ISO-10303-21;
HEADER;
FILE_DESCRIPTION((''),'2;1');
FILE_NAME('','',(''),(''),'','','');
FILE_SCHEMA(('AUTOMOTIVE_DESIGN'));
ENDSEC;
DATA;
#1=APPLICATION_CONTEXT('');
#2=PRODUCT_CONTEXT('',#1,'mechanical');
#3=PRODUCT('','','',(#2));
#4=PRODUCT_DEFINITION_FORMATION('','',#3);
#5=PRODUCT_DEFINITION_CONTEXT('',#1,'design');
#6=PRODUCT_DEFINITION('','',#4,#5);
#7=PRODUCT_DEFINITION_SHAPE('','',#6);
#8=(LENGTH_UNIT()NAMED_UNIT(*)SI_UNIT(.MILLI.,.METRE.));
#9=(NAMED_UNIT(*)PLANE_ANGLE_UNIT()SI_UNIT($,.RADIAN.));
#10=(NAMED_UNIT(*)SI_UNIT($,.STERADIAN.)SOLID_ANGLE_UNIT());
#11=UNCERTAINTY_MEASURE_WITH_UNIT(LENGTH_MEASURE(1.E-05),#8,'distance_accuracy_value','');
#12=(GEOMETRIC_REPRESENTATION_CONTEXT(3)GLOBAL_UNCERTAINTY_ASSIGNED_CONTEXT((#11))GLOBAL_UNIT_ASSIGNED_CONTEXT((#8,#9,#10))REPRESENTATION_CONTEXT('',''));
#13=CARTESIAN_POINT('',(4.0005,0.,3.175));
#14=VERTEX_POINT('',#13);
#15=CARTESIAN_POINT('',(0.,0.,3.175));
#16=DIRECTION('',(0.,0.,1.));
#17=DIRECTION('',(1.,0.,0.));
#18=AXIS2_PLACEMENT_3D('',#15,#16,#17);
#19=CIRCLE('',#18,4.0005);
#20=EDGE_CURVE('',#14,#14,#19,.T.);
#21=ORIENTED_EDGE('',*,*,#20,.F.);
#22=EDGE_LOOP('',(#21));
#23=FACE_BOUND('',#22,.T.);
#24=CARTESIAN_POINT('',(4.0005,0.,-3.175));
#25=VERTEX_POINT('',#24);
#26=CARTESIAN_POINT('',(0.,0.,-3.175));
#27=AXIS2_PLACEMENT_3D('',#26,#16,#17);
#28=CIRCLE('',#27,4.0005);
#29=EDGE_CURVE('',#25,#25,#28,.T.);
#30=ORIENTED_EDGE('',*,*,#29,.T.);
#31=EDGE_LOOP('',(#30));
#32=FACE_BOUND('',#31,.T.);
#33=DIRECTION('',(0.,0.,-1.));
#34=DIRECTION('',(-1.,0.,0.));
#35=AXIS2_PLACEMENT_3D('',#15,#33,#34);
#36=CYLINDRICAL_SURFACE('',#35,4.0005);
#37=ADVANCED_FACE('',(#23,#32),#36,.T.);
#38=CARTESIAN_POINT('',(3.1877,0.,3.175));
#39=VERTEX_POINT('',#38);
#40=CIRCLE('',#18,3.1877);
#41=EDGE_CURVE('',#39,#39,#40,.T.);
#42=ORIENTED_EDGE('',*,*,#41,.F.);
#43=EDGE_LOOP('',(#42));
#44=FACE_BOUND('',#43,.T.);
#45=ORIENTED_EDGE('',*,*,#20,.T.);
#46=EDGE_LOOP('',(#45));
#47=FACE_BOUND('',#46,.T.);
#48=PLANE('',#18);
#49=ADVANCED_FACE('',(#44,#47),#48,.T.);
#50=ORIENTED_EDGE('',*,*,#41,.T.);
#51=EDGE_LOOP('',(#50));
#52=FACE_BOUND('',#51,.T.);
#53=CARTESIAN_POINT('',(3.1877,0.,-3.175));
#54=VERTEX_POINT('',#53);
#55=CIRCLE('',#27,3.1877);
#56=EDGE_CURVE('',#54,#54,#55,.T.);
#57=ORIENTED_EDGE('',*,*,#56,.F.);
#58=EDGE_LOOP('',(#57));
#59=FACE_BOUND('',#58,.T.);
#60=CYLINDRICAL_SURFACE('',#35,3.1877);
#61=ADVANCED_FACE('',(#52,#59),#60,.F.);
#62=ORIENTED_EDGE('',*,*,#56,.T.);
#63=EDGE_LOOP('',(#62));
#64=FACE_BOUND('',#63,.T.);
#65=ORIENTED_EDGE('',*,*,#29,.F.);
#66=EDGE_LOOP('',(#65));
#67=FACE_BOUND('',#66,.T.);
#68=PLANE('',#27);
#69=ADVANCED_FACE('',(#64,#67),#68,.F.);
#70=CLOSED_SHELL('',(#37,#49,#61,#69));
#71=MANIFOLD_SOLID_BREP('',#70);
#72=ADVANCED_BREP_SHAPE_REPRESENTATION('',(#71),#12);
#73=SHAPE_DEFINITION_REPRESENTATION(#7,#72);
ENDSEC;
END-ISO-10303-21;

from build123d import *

# Parameters (mm, degrees)
SKETCH1_R           = 4.0005
SKETCH1_R_2         = 3.1877
BOSS_EXTRUDE1_DEPTH = 3.175


with BuildPart() as part:
    # Sketch1 → Boss-Extrude1 (new body, symmetric)
    with BuildSketch(Plane.XY):
        Circle(SKETCH1_R)
        Circle(SKETCH1_R_2, mode=Mode.SUBTRACT)
    extrude(amount=BOSS_EXTRUDE1_DEPTH, both=True)


solid = part.part
